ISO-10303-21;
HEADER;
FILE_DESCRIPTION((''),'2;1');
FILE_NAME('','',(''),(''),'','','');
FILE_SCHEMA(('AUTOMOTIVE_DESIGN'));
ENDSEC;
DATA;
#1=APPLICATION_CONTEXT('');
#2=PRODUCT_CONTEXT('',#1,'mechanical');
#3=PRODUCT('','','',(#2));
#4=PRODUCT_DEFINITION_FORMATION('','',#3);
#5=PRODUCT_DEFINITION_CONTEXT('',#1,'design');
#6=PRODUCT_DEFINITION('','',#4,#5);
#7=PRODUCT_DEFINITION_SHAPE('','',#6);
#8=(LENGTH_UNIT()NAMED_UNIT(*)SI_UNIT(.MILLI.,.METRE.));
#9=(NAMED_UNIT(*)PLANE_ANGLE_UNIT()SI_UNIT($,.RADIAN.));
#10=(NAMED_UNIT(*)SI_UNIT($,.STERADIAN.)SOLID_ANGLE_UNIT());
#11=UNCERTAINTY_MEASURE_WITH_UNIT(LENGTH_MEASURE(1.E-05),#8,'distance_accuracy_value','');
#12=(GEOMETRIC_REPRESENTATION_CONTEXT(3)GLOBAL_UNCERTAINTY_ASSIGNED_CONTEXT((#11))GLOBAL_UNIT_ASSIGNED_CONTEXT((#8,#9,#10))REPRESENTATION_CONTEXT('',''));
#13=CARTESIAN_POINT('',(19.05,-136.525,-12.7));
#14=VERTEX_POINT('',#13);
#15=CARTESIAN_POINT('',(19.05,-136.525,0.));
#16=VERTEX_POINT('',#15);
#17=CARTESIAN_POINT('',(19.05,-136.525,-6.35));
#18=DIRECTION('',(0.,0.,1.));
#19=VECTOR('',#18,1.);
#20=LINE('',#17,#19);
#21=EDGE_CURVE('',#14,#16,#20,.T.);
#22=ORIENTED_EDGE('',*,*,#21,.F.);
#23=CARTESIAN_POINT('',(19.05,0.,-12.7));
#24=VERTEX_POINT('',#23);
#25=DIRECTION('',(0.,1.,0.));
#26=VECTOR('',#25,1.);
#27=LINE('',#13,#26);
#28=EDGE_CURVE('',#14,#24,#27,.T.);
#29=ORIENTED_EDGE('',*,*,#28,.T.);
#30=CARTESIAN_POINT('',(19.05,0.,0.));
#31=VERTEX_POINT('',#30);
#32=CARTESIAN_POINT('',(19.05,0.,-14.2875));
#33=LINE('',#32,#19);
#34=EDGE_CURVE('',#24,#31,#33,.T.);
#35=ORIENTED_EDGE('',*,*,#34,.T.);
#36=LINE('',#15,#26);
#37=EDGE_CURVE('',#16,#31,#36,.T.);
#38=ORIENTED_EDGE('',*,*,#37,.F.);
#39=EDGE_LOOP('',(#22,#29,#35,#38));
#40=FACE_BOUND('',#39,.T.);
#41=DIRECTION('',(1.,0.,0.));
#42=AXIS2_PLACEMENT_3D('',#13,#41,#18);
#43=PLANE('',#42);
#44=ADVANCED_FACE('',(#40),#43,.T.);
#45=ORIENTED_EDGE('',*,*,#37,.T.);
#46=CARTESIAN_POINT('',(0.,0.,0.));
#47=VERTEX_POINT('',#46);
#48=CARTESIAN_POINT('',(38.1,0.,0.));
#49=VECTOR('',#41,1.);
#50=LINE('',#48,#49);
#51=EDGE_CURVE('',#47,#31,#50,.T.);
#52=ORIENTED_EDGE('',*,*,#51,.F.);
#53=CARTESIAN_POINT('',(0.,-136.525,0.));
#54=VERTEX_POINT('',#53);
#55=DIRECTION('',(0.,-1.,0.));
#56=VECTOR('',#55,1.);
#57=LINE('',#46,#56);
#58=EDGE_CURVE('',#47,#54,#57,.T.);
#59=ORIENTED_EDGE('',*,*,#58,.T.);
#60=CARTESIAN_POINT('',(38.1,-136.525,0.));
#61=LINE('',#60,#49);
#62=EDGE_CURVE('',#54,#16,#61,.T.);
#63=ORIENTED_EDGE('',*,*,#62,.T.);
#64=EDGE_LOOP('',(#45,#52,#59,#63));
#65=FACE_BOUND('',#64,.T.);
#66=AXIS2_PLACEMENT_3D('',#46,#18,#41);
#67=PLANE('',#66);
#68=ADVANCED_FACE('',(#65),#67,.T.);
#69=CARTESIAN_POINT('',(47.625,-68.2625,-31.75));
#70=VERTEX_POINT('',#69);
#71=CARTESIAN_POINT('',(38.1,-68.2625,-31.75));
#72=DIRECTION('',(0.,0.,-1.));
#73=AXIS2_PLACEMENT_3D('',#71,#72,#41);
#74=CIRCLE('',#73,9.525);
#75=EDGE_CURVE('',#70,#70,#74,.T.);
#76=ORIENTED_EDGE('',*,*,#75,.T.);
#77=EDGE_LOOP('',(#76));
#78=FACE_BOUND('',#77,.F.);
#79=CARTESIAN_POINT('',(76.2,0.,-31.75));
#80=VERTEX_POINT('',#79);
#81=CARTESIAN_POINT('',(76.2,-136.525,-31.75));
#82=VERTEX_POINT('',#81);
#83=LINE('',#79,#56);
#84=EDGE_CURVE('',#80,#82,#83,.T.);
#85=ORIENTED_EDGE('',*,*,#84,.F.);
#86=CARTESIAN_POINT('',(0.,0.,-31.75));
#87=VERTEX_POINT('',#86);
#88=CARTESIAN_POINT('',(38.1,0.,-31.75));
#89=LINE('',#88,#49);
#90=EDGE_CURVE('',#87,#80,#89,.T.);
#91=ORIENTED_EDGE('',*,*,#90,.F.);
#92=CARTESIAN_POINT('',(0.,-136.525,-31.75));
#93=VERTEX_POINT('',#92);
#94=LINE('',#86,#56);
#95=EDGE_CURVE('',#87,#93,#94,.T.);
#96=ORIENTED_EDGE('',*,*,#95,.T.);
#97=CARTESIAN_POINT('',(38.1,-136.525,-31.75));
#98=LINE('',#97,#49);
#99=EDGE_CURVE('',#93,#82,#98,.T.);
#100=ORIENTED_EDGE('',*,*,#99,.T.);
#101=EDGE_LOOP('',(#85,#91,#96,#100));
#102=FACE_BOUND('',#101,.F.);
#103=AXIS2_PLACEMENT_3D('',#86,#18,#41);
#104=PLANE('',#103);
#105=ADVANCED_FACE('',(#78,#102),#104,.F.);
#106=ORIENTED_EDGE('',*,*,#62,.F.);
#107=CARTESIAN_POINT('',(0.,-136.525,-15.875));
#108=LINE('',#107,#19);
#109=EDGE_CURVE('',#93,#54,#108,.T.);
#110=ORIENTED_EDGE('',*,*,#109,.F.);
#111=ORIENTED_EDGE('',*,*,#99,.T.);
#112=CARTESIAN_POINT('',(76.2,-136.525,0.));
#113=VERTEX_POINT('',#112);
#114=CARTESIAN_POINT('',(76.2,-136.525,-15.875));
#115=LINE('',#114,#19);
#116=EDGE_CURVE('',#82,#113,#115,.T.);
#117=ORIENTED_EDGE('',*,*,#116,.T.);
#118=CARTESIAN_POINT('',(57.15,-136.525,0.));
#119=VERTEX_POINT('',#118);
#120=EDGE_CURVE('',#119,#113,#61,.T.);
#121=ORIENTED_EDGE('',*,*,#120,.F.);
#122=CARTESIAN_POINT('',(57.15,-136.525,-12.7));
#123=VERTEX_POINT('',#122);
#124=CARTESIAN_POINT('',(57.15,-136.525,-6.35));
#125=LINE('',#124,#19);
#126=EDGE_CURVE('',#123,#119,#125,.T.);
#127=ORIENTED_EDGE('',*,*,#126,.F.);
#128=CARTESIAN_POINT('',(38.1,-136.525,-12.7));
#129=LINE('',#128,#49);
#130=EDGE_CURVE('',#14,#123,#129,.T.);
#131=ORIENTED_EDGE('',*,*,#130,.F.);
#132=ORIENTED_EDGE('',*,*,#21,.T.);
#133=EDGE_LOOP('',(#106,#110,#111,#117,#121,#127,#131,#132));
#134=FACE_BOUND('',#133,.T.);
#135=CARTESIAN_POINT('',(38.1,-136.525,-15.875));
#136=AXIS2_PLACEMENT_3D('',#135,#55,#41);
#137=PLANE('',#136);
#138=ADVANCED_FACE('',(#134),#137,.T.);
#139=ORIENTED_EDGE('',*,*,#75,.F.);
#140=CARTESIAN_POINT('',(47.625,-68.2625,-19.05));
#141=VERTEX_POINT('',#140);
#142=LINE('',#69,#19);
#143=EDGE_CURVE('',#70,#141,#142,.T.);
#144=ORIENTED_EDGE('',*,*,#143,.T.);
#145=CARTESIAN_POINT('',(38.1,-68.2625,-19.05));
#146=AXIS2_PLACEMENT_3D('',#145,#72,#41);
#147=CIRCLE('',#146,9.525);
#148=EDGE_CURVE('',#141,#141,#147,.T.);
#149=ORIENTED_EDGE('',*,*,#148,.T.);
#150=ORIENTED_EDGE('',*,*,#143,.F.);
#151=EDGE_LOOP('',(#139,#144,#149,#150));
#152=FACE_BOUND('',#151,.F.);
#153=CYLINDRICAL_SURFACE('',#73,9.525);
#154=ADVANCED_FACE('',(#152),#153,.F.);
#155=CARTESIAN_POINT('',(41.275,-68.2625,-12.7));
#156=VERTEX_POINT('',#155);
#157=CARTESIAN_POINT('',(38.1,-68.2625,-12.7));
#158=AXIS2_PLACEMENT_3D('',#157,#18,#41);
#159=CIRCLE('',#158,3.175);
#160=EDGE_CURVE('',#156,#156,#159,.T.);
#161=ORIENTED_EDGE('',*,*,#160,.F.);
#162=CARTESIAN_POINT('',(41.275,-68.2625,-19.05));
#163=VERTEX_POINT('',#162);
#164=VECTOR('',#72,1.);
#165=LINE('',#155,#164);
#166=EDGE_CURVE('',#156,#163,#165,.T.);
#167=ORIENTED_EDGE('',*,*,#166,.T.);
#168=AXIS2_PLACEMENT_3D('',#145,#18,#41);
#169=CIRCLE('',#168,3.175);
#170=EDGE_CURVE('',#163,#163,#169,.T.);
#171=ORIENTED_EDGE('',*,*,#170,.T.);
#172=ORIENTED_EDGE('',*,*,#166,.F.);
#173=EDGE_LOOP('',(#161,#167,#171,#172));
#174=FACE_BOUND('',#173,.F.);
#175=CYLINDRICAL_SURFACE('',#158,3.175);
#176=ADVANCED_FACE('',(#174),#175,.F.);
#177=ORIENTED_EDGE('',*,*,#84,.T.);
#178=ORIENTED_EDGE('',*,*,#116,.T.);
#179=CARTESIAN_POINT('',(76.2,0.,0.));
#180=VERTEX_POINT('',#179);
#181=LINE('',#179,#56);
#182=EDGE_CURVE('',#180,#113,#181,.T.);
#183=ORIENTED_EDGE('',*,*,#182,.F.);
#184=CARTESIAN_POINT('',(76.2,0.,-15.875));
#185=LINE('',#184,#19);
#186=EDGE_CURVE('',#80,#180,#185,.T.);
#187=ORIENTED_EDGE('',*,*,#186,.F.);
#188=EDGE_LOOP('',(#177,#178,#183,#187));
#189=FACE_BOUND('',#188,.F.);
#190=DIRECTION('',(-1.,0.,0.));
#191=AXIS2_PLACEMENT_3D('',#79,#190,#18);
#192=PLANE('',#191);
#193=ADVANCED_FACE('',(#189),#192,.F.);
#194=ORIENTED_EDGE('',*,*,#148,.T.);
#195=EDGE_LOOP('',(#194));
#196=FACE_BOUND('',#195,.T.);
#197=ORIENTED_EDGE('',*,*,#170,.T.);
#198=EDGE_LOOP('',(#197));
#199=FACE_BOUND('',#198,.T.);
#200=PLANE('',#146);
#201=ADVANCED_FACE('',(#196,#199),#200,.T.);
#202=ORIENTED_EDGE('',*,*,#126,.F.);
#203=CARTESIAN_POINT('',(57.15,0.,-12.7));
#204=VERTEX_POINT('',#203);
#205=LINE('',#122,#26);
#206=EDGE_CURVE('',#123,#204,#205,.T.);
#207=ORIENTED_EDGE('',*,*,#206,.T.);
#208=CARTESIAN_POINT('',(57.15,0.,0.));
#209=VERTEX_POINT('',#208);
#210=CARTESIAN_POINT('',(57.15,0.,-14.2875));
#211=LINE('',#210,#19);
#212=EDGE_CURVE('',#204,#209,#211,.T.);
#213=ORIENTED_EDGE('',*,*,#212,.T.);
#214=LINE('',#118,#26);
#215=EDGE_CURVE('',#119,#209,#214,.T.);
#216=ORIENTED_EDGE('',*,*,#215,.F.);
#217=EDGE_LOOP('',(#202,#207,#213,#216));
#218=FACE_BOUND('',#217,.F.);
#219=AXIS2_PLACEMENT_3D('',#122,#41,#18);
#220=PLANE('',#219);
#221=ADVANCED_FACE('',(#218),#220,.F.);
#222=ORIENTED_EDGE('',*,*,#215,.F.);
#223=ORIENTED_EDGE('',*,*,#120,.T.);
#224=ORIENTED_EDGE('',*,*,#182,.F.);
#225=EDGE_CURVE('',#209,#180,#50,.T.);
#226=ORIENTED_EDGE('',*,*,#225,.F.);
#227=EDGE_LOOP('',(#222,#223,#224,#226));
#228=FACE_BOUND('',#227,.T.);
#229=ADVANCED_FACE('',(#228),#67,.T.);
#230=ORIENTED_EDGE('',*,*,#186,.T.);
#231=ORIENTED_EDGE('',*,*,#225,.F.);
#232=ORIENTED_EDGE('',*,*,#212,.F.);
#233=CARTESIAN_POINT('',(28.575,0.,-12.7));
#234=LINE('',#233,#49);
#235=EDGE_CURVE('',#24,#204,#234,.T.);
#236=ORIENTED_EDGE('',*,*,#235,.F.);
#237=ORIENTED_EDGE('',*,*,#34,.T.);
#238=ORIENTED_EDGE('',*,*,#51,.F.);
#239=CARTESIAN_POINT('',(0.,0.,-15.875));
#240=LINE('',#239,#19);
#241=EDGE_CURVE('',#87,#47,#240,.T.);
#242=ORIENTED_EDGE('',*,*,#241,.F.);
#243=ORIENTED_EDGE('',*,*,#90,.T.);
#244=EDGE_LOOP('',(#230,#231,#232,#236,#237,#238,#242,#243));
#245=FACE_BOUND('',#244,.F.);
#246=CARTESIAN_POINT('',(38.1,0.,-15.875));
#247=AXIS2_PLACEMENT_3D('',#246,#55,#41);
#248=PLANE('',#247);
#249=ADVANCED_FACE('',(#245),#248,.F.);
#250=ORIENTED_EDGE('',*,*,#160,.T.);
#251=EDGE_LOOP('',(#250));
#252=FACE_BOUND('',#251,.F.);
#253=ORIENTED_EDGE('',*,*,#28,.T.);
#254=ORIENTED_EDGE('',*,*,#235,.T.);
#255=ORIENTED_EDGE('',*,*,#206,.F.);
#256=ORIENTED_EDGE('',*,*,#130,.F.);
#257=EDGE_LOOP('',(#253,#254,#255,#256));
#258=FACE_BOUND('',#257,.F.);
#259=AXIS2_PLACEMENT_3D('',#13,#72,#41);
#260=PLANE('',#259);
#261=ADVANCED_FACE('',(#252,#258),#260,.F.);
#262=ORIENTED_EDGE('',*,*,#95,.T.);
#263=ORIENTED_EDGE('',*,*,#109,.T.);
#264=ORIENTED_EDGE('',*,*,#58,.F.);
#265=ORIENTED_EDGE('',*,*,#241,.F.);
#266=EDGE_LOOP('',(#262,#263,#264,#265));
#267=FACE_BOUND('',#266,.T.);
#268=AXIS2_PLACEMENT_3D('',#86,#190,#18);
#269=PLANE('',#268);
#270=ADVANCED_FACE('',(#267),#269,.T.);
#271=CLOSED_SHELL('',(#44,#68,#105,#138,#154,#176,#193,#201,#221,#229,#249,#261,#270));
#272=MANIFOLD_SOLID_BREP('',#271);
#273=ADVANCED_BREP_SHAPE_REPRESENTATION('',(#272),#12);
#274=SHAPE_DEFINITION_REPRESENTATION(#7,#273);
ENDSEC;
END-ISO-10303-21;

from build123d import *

# Parameters (mm, degrees)
F0_W     = 76.2
F0_H     = 31.75
F1_DEPTH = 136.525
F2_W     = 38.1
F2_H     = 12.7
F3_DEPTH = 254
F4_R     = 9.525
F5_DEPTH = 12.7
F6_R     = 3.175
F7_DEPTH = 254


with BuildPart() as f1:
    # F0 (on Front) → F1 (new body)
    with BuildSketch(Plane.XZ):
        with Locations((38.1, -15.875)):
            Rectangle(F0_W, F0_H)
    extrude(amount=F1_DEPTH)

    # F2 (on face) → F3 (cut)
    with BuildSketch(Plane.XZ.offset(136.525)):
        with Locations((38.1, -6.35)):
            Rectangle(F2_W, F2_H)
    extrude(amount=-F3_DEPTH, mode=Mode.SUBTRACT)

    # F4 (on face) → F5 (cut)
    with BuildSketch(Plane(origin=(0, 0, -31.75), x_dir=(1, 0, 0), z_dir=(0, 0, -1))):
        with Locations((38.1, 68.2625)):
            Circle(F4_R)
    extrude(amount=-F5_DEPTH, mode=Mode.SUBTRACT)

    # F6 (on face) → F7 (cut)
    with BuildSketch(Plane.XY.offset(-12.7)):
        with Locations((38.1, -68.2625)):
            Circle(F6_R)
    extrude(amount=-F7_DEPTH, mode=Mode.SUBTRACT)


solid = f1.part
